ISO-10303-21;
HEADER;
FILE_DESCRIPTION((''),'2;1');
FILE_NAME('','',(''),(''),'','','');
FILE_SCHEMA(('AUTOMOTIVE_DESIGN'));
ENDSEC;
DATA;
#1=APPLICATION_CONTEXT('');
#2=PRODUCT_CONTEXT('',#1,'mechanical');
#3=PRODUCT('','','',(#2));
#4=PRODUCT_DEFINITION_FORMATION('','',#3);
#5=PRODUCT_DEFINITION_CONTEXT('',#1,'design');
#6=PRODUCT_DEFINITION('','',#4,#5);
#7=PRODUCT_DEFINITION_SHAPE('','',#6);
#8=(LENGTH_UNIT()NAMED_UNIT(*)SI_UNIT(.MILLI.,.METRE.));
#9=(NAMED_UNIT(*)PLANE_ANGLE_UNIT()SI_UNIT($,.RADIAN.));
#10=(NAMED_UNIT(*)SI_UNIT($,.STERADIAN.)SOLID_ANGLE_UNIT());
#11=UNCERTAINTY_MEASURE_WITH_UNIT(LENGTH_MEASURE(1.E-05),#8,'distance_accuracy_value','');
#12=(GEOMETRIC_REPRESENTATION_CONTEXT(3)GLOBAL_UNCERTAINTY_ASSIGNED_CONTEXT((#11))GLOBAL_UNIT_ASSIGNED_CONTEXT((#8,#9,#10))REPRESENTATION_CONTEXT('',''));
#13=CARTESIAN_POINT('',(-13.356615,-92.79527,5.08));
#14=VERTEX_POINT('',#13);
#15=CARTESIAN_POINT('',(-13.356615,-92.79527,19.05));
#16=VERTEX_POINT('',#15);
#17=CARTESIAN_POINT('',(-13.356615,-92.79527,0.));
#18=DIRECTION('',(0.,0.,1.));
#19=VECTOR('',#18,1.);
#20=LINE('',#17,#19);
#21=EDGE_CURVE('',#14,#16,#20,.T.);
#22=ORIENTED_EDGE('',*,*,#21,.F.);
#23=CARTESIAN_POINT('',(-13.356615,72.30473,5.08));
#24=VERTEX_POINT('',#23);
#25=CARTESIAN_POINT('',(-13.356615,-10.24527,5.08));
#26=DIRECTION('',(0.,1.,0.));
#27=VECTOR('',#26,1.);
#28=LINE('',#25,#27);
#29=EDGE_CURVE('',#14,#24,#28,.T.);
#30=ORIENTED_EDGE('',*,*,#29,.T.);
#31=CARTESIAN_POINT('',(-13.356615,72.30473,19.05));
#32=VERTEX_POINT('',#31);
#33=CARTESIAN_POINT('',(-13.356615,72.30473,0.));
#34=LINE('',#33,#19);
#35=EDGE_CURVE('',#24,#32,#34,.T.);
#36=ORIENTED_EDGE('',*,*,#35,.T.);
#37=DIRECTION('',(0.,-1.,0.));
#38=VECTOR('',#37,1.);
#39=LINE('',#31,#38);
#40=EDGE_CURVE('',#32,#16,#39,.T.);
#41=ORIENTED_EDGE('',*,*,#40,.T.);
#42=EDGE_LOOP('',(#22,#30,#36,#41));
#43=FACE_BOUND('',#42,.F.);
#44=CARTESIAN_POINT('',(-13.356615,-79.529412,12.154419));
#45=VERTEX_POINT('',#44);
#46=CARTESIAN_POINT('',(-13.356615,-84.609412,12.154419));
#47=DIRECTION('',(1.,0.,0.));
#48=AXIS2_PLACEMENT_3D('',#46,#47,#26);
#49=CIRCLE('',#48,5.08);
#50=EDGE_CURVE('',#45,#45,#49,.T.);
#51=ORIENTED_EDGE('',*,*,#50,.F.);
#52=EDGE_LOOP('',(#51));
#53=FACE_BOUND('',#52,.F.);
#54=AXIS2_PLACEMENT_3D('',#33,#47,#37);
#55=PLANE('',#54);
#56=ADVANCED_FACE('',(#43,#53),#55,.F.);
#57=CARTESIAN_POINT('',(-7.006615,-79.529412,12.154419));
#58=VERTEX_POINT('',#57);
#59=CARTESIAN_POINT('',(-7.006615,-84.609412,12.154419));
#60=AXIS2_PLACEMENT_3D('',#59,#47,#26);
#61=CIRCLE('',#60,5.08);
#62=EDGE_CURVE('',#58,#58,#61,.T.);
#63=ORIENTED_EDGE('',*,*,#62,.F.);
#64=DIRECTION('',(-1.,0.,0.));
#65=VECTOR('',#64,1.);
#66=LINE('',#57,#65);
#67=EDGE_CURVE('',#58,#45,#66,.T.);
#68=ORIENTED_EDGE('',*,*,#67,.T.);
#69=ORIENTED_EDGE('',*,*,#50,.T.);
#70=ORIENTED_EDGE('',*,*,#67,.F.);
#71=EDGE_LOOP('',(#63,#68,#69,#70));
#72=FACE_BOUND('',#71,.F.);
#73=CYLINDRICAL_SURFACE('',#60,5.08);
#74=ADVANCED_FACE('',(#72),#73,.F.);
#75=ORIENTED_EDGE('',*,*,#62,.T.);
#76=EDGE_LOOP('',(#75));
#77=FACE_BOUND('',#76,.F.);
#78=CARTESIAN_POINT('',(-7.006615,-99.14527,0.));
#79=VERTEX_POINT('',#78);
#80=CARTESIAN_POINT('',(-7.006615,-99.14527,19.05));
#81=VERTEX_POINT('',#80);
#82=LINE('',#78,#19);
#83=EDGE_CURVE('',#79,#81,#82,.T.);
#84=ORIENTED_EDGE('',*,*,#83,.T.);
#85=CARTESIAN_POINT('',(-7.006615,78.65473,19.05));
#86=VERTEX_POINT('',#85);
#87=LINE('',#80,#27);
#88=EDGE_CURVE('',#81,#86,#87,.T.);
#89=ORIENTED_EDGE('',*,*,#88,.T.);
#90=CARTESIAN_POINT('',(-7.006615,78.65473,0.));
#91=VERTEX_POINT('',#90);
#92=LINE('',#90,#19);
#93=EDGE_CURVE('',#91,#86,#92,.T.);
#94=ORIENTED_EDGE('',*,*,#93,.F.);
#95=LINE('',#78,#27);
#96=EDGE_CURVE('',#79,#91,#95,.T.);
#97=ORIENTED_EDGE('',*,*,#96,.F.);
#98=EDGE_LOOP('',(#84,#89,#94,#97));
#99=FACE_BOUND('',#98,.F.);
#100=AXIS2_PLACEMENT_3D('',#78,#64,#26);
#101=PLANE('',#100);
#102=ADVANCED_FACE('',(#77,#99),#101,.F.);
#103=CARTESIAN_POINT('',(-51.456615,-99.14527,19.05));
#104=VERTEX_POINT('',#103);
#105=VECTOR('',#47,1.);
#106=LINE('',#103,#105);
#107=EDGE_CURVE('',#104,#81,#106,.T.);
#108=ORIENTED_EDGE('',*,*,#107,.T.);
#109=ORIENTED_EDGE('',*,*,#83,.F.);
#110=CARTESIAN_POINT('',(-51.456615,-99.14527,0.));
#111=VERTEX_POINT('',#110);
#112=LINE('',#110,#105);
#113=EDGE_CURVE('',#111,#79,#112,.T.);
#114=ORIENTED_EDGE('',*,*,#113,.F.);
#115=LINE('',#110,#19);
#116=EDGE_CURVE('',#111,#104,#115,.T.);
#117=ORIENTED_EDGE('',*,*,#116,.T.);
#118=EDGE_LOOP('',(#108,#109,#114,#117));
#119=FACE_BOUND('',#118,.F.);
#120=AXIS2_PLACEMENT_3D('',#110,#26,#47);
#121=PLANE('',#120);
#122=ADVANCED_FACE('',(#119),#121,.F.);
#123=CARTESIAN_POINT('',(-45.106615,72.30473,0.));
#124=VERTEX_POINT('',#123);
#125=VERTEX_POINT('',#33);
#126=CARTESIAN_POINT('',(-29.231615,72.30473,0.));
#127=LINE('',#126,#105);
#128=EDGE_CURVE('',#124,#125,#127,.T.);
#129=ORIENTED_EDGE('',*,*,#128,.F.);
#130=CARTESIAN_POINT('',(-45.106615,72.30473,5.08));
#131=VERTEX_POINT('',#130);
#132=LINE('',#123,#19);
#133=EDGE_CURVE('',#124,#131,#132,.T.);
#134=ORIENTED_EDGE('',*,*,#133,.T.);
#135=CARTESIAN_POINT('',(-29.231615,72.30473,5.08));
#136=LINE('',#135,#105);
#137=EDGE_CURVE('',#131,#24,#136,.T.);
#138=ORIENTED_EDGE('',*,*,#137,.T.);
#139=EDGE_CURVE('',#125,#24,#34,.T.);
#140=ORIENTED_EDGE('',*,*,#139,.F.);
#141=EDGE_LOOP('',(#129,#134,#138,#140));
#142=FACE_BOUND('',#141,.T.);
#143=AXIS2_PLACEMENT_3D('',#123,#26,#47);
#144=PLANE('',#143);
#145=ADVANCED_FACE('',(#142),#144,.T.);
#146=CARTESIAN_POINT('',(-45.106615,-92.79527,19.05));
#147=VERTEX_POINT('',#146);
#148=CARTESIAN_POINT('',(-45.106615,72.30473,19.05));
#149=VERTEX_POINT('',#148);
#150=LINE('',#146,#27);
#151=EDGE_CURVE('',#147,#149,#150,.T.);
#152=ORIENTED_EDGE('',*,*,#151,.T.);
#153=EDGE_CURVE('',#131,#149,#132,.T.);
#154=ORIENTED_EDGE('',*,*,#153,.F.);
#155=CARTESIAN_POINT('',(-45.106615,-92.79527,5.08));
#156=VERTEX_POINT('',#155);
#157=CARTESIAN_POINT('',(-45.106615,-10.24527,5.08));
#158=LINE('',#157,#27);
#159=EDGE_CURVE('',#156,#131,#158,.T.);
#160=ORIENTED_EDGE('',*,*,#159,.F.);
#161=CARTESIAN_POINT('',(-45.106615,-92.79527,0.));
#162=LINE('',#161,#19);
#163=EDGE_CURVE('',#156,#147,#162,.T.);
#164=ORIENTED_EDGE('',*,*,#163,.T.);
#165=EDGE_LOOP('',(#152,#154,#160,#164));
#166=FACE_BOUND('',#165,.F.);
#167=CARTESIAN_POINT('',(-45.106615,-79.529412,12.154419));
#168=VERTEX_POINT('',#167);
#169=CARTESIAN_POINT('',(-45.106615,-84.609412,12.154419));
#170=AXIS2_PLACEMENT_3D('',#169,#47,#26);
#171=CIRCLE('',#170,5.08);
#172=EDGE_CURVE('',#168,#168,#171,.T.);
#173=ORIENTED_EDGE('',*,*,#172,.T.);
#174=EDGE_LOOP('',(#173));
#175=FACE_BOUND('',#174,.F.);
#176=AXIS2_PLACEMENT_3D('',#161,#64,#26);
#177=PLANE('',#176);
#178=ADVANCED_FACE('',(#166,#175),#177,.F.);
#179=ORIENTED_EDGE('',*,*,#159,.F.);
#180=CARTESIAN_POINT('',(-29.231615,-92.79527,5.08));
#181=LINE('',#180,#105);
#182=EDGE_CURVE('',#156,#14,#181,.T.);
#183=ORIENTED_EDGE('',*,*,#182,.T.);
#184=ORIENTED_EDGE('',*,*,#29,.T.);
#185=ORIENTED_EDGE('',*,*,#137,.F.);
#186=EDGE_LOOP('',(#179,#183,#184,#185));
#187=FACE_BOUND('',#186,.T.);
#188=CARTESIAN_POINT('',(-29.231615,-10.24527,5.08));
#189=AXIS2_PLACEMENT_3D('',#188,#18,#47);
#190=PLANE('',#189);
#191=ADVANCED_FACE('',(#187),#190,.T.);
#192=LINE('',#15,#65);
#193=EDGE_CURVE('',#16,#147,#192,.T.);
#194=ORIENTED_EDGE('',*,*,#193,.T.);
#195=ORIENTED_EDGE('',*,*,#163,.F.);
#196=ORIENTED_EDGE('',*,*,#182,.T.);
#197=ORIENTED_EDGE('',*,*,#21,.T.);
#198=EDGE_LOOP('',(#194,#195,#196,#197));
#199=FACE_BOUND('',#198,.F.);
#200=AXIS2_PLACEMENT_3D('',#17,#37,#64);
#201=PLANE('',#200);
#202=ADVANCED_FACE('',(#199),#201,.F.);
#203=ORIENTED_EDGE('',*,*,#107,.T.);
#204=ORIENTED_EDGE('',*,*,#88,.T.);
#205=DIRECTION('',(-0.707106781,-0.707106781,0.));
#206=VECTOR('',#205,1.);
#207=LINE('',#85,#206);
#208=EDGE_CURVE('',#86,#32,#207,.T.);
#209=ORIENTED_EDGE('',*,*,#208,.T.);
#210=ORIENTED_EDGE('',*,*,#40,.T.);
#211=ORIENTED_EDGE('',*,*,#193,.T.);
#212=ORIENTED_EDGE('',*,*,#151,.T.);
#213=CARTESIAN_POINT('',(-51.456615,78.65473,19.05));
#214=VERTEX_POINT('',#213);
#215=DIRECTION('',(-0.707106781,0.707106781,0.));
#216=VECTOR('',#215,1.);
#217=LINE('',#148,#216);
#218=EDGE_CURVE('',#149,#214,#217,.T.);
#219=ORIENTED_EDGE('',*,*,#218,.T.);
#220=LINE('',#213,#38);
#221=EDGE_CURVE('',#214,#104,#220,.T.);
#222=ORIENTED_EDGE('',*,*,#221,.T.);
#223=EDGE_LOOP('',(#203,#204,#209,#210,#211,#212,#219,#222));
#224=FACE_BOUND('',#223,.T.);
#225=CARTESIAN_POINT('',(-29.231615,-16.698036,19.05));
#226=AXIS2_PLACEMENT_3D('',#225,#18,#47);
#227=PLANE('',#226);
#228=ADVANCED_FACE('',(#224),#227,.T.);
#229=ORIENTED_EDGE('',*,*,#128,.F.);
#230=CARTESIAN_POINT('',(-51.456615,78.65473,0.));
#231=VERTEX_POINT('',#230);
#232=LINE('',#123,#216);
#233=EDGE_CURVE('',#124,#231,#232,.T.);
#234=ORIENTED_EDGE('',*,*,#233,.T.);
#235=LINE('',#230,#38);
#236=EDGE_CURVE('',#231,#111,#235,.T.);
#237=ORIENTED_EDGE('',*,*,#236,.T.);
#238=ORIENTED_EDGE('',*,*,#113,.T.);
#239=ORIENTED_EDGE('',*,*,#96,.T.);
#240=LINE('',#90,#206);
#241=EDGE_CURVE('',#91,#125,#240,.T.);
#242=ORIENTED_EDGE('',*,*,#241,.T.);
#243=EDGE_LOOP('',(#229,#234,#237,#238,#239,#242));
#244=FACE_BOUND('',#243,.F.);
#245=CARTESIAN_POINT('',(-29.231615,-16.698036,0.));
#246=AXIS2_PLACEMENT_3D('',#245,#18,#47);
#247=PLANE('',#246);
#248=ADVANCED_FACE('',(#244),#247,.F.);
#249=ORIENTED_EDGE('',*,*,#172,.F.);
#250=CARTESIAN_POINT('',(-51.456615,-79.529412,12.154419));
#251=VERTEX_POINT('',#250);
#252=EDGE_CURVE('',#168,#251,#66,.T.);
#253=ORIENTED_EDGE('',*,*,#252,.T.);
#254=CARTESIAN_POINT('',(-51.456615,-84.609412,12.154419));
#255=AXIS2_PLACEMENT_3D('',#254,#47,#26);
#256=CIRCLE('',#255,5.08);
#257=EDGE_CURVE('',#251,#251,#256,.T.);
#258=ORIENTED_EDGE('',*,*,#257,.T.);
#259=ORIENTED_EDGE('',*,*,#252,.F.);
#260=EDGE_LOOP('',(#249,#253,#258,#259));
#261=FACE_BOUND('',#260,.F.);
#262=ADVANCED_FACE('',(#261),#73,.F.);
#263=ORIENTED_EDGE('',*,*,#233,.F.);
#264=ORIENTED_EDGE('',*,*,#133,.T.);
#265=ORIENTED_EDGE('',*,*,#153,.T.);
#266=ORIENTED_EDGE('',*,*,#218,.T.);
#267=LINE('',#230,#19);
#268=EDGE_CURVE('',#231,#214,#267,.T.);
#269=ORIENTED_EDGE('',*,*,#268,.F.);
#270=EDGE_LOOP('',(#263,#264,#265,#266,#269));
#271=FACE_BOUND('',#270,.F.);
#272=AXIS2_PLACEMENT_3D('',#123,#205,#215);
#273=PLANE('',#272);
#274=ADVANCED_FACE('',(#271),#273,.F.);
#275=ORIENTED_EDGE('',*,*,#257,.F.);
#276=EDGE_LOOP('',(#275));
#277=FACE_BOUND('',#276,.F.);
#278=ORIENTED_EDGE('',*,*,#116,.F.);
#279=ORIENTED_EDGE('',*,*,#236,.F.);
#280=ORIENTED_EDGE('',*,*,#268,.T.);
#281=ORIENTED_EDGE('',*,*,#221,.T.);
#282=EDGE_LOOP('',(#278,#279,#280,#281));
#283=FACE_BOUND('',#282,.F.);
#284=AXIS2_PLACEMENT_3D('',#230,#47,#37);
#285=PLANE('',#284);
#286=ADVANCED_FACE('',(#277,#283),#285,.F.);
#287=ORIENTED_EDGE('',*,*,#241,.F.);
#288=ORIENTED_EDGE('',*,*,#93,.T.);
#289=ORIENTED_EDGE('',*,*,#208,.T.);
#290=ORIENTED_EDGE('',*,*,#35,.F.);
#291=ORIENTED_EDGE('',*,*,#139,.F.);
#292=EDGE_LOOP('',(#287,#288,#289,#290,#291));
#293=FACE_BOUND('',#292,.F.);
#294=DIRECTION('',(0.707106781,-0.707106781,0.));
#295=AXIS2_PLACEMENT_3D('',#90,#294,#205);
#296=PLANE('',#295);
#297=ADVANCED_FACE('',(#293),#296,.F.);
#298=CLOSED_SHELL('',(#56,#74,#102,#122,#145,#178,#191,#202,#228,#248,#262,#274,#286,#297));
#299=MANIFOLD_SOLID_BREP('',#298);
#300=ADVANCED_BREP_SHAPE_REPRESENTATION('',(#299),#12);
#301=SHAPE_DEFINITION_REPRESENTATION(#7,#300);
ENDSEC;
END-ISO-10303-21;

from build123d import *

# Parameters (mm, degrees)
F0_W     = 31.75
F0_H     = 165.1
F1_DEPTH = 5.08
F2_DEPTH = 19.05
F3_R     = 5.08
F4_DEPTH = 45.72


with BuildPart() as f1:
    # F0 (on Top) → F1 (new body)
    with BuildSketch(Plane.XY):
        with Locations((-29.231615, -10.24527)):
            Rectangle(F0_W, F0_H)
    extrude(amount=F1_DEPTH)

    # F0 (on Top) → F2 (join)
    with BuildSketch(Plane.XY):
        Polygon((-45.106615, -92.79527), (-45.106615, 72.30473), (-51.456615, 78.65473), (-51.456615, -99.14527), (-7.006615, -99.14527), (-7.006615, 78.65473), (-13.356615, 72.30473), (-13.356615, -92.79527), align=None)
    extrude(amount=F2_DEPTH)

    # F3 (on face) → F4 (cut)
    with BuildSketch(Plane.YZ.offset(-7.006615)):
        with Locations((-84.609412, 12.154419)):
            Circle(F3_R)
    extrude(amount=-F4_DEPTH, mode=Mode.SUBTRACT)


solid = f1.part
